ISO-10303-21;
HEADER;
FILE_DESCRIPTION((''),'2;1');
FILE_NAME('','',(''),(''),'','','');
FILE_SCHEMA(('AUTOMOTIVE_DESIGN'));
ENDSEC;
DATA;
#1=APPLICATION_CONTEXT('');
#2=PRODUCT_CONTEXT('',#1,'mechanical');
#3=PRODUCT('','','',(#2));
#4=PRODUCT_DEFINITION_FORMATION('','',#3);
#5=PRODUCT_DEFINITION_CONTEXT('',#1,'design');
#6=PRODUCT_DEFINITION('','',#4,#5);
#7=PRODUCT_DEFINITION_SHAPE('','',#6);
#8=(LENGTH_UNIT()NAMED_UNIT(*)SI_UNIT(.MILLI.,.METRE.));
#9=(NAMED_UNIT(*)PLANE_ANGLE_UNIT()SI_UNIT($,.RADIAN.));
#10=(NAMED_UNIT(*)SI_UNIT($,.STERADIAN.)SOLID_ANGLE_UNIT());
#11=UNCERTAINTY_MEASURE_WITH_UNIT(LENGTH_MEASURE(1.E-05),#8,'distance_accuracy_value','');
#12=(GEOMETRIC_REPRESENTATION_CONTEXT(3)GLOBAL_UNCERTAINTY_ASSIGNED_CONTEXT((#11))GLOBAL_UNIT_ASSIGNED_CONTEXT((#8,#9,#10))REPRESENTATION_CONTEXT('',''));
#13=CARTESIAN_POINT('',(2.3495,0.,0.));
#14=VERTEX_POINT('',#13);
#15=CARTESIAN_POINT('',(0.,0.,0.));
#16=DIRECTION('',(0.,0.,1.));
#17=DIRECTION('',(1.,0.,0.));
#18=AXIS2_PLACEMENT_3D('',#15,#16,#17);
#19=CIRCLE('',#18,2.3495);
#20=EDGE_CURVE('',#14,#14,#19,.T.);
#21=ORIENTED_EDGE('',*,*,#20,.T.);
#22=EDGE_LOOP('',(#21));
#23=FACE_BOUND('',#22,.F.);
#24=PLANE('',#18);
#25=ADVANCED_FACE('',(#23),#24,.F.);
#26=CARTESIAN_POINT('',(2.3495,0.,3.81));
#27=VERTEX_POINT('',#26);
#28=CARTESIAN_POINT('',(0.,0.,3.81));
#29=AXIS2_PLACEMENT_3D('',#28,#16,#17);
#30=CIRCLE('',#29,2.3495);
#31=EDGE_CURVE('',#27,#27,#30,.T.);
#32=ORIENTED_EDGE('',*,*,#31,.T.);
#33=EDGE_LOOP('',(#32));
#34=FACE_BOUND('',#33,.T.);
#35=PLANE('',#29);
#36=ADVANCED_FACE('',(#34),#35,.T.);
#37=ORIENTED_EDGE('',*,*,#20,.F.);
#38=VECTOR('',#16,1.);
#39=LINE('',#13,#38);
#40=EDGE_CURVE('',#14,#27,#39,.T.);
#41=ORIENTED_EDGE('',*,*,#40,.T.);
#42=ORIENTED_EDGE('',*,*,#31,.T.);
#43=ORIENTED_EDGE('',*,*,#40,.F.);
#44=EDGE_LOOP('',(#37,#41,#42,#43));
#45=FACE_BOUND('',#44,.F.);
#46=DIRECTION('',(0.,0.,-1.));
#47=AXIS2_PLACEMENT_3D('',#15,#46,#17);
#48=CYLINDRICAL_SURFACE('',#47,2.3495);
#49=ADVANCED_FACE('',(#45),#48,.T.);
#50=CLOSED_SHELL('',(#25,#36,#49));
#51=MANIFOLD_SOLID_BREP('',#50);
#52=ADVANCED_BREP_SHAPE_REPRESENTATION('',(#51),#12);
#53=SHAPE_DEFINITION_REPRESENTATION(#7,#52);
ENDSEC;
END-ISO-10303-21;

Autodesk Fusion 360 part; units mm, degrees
sketch "Sketch1" plane through (0, 0, 0) normal (0, 0, 1) x (1, 0, 0)
  circle A0 centre (0, 0) radius 2.3495
  dimension "d1" = 4.699
extrude "Extrude1" add sketch "Sketch1" along normal blind 3.81
